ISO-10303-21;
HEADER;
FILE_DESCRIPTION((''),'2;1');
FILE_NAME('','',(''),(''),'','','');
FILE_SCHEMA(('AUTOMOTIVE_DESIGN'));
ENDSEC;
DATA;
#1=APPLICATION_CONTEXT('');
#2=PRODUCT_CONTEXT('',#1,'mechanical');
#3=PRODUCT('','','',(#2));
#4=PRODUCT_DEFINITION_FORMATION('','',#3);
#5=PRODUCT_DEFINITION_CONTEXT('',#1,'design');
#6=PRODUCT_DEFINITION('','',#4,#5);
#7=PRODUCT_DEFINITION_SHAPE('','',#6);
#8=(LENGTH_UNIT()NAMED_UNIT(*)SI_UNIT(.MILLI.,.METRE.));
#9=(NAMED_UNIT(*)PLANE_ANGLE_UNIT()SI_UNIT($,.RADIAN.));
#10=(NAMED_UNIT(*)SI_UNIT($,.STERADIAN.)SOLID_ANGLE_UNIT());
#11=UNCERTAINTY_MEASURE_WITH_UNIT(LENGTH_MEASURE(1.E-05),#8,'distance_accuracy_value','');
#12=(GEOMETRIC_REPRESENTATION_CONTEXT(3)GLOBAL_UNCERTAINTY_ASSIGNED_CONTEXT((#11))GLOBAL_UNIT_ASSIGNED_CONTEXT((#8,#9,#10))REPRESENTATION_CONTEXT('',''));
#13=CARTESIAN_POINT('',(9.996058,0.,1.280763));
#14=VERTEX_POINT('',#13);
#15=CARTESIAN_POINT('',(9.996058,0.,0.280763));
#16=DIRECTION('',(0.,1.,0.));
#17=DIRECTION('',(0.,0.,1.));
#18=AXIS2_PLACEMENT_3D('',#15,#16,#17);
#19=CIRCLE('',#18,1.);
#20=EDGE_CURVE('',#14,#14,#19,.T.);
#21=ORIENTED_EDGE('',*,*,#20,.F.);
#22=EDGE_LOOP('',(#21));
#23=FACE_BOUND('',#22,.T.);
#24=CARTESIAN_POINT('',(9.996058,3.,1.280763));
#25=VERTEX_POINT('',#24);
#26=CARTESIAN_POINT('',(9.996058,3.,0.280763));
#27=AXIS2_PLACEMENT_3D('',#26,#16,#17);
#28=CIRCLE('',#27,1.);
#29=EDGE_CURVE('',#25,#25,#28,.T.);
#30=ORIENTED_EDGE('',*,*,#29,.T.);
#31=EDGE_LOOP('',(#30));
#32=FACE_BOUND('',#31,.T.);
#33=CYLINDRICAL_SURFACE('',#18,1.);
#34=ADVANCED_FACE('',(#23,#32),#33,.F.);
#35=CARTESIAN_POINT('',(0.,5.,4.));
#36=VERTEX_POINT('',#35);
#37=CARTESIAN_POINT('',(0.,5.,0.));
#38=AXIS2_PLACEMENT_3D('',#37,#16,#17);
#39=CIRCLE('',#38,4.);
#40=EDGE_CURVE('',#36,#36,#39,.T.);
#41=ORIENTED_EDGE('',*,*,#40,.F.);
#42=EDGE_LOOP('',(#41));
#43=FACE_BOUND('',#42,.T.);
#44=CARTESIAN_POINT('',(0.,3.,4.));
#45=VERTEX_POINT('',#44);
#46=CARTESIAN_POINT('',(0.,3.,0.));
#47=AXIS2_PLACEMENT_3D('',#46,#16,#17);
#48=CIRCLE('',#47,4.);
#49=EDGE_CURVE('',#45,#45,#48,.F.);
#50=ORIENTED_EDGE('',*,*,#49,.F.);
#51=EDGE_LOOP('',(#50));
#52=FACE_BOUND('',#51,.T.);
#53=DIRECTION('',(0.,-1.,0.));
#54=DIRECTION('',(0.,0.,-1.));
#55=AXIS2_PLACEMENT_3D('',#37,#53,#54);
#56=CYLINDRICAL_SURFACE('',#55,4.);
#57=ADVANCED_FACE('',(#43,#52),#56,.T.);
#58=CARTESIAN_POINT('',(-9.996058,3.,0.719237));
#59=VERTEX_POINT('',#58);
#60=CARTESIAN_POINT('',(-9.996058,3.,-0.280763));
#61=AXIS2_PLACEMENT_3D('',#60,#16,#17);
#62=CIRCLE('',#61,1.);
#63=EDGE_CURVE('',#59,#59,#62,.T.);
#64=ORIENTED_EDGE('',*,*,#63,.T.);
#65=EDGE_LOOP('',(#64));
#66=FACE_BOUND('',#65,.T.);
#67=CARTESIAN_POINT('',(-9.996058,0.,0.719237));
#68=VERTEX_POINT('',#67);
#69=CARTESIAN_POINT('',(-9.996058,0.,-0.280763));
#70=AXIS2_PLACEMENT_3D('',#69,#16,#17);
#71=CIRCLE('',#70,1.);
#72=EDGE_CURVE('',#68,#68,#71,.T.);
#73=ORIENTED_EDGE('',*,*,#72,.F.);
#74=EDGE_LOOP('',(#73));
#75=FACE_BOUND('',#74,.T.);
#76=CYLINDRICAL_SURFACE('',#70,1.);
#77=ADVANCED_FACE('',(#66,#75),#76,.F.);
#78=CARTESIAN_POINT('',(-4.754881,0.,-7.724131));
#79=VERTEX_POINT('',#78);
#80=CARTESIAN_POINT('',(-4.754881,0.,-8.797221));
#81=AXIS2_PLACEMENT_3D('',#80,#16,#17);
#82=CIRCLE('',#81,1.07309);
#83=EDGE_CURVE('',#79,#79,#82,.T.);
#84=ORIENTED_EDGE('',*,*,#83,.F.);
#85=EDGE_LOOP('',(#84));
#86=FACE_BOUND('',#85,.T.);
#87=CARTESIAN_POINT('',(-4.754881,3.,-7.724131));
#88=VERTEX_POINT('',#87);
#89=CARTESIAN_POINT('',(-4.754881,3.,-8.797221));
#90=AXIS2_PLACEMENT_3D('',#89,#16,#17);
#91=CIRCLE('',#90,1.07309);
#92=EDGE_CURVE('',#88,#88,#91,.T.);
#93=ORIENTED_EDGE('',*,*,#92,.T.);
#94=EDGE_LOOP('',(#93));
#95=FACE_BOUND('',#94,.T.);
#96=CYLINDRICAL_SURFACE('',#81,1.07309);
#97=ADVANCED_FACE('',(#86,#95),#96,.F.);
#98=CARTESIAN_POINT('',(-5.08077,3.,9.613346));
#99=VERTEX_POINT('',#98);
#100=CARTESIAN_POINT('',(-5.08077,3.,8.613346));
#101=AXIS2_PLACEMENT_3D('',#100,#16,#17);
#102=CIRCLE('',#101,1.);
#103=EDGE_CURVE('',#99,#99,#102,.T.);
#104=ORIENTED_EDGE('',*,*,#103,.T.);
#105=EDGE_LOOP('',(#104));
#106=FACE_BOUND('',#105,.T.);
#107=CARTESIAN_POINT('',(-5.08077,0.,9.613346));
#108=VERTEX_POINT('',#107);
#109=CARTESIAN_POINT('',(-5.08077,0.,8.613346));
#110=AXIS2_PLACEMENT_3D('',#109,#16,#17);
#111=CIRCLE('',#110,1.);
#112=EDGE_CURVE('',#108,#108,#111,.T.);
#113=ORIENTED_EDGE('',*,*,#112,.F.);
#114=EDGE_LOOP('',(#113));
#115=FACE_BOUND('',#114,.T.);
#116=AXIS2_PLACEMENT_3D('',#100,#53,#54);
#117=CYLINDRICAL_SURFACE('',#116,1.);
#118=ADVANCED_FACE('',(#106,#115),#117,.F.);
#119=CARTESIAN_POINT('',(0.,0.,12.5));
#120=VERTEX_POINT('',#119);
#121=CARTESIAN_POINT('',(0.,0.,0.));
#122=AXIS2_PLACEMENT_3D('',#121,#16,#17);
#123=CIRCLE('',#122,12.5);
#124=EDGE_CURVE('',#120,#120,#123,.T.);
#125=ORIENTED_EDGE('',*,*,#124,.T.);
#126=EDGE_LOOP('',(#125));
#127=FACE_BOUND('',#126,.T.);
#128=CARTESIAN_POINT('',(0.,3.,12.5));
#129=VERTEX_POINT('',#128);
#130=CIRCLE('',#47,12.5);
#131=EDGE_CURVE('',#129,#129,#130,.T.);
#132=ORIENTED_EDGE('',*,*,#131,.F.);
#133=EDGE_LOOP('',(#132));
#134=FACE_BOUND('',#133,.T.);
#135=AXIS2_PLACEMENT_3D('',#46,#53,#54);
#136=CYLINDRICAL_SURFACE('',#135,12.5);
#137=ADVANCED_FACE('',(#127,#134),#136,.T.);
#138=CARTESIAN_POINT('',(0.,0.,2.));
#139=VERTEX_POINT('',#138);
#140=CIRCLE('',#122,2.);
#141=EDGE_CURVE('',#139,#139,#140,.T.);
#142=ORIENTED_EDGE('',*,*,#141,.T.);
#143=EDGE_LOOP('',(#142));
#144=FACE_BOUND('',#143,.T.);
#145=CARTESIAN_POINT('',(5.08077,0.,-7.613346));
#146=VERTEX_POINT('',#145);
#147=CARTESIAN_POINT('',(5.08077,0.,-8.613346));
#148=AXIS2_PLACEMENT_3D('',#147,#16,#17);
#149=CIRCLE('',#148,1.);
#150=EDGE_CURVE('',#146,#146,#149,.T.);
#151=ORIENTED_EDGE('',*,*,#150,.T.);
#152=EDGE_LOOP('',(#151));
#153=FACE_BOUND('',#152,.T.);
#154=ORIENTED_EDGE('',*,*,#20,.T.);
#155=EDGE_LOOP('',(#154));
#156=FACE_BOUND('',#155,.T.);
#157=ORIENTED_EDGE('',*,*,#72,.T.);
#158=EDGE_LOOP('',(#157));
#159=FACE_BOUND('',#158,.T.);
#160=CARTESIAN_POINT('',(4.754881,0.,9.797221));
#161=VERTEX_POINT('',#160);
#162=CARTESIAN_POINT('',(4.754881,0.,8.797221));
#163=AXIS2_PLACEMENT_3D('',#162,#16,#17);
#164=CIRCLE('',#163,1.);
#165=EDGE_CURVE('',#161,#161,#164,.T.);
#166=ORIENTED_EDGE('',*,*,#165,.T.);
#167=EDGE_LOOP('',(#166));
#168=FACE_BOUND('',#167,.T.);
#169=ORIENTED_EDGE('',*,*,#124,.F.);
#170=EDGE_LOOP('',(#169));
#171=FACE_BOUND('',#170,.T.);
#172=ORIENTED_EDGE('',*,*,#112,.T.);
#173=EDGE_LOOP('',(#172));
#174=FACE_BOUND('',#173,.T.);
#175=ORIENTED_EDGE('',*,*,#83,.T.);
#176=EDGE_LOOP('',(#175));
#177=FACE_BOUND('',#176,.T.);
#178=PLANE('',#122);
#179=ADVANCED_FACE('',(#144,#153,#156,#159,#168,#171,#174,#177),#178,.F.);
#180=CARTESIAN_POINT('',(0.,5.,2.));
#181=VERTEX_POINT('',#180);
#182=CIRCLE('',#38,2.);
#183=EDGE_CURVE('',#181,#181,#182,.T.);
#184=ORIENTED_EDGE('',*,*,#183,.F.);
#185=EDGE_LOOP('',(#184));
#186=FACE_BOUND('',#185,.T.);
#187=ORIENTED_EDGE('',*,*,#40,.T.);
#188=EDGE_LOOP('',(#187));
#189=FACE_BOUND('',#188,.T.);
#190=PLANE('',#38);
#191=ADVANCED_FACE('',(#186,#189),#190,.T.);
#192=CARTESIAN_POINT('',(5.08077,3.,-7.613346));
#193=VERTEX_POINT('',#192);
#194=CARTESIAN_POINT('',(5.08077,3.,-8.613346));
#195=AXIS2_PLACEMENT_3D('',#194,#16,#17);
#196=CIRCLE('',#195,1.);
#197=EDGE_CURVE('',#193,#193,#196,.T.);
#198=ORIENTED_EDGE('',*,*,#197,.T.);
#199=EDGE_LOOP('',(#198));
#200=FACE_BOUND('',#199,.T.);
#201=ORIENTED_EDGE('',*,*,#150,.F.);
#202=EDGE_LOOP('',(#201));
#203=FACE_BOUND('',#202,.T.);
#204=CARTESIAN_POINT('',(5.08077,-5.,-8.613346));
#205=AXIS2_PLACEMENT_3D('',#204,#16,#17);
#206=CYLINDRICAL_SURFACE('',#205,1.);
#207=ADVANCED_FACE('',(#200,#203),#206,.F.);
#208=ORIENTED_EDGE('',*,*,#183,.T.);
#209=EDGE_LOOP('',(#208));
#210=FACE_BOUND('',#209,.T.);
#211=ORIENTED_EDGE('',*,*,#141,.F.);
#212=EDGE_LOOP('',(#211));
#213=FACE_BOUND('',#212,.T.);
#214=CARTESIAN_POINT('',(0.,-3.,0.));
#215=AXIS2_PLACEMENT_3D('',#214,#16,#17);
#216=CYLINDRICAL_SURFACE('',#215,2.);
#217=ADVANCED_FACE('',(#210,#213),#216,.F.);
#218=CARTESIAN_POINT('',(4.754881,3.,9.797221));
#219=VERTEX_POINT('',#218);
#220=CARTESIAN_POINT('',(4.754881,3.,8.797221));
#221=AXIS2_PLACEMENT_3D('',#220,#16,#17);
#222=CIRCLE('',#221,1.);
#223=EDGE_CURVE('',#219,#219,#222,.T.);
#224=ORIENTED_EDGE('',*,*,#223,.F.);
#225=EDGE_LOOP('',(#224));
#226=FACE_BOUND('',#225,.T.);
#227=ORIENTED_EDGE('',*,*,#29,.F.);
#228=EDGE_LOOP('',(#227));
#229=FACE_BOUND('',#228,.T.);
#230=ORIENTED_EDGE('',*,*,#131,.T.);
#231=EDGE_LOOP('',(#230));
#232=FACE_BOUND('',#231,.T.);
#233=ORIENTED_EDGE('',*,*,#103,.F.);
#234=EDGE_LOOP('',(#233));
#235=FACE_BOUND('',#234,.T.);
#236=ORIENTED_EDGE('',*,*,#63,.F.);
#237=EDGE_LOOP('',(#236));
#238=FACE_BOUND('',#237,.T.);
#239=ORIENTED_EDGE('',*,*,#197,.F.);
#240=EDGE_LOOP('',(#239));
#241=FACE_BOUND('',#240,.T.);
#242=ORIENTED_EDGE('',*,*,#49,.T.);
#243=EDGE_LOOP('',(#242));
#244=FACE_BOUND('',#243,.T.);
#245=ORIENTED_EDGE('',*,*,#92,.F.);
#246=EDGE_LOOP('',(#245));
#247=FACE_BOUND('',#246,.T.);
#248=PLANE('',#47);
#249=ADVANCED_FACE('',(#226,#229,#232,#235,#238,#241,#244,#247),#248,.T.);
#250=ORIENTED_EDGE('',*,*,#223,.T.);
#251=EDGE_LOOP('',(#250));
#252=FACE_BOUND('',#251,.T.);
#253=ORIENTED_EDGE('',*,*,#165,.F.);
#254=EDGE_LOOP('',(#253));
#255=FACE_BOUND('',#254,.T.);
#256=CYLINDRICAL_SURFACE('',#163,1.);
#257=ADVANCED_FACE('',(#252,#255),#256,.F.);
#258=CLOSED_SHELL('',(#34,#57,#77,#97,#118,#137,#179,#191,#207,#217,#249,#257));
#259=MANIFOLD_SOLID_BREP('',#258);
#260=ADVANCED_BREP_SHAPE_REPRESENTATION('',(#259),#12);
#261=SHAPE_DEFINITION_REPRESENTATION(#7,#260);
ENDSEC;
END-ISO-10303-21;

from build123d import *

# Parameters (mm, degrees)
SKETCH1_R           = 12.5
BOSS_EXTRUDE1_DEPTH = 3
SKETCH2_R           = 4
BOSS_EXTRUDE2_DEPTH = 5
SKETCH5_R           = 2
CUT_EXTRUDE3_DEPTH  = 8
SKETCH4_R           = 1
CUT_EXTRUDE4_DEPTH  = 8
SKETCH3_R           = 1
CUT_EXTRUDE7_DEPTH  = 3
SKETCH11_R          = 1.073090014
SKETCH11_R_2        = 1
CUT_EXTRUDE9_DEPTH  = 3


with BuildPart() as part:
    # Sketch1 → Boss-Extrude1 (new body)
    with BuildSketch(Plane(origin=(0, 0, 0), x_dir=(1, 0, 0), z_dir=(0, 1, 0))):
        Circle(SKETCH1_R)
    extrude(amount=BOSS_EXTRUDE1_DEPTH)

    # Sketch2 → Boss-Extrude2 (add)
    with BuildSketch(Plane(origin=(0, 0, 0), x_dir=(1, 0, 0), z_dir=(0, 1, 0))):
        Circle(SKETCH2_R)
    extrude(amount=BOSS_EXTRUDE2_DEPTH)

    # Sketch5 → Cut-Extrude3 (cut)
    with BuildSketch(Plane(origin=(0, 5, 0), x_dir=(1, 0, 0), z_dir=(0, 1, 0))):
        Circle(SKETCH5_R)
    extrude(amount=-CUT_EXTRUDE3_DEPTH, mode=Mode.SUBTRACT)

    # Sketch4 → Cut-Extrude4 (cut)
    with BuildSketch(Plane(origin=(0, 3, 0), x_dir=(1, 0, 0), z_dir=(0, 1, 0))):
        with Locations((5.080770429, 8.613345791)):
            Circle(SKETCH4_R)
    extrude(amount=-CUT_EXTRUDE4_DEPTH, mode=Mode.SUBTRACT)

    # Sketch3 → Cut-Extrude7 (cut)
    with BuildSketch(Plane(origin=(0, 0, 0), x_dir=(1, 0, 0), z_dir=(0, 1, 0))):
        with Locations((-5.080770429, -8.613345791)):
            Circle(SKETCH3_R)
    extrude(amount=CUT_EXTRUDE7_DEPTH, mode=Mode.SUBTRACT)

    # Sketch11 → Cut-Extrude9 (cut)
    with BuildSketch(Plane(origin=(0, 3, 0), x_dir=(1, 0, 0), z_dir=(0, 1, 0))):
        with Locations((-4.754881291, 8.797221374)):
            Circle(SKETCH11_R)
        with Locations((-9.996057838, 0.280762697)):
            Circle(SKETCH11_R_2)
        with Locations((4.754881291, -8.797221374)):
            Circle(SKETCH11_R_2)
        with Locations((9.996057838, -0.280762697)):
            Circle(SKETCH11_R_2)
    extrude(amount=-CUT_EXTRUDE9_DEPTH, mode=Mode.SUBTRACT)


solid = part.part
